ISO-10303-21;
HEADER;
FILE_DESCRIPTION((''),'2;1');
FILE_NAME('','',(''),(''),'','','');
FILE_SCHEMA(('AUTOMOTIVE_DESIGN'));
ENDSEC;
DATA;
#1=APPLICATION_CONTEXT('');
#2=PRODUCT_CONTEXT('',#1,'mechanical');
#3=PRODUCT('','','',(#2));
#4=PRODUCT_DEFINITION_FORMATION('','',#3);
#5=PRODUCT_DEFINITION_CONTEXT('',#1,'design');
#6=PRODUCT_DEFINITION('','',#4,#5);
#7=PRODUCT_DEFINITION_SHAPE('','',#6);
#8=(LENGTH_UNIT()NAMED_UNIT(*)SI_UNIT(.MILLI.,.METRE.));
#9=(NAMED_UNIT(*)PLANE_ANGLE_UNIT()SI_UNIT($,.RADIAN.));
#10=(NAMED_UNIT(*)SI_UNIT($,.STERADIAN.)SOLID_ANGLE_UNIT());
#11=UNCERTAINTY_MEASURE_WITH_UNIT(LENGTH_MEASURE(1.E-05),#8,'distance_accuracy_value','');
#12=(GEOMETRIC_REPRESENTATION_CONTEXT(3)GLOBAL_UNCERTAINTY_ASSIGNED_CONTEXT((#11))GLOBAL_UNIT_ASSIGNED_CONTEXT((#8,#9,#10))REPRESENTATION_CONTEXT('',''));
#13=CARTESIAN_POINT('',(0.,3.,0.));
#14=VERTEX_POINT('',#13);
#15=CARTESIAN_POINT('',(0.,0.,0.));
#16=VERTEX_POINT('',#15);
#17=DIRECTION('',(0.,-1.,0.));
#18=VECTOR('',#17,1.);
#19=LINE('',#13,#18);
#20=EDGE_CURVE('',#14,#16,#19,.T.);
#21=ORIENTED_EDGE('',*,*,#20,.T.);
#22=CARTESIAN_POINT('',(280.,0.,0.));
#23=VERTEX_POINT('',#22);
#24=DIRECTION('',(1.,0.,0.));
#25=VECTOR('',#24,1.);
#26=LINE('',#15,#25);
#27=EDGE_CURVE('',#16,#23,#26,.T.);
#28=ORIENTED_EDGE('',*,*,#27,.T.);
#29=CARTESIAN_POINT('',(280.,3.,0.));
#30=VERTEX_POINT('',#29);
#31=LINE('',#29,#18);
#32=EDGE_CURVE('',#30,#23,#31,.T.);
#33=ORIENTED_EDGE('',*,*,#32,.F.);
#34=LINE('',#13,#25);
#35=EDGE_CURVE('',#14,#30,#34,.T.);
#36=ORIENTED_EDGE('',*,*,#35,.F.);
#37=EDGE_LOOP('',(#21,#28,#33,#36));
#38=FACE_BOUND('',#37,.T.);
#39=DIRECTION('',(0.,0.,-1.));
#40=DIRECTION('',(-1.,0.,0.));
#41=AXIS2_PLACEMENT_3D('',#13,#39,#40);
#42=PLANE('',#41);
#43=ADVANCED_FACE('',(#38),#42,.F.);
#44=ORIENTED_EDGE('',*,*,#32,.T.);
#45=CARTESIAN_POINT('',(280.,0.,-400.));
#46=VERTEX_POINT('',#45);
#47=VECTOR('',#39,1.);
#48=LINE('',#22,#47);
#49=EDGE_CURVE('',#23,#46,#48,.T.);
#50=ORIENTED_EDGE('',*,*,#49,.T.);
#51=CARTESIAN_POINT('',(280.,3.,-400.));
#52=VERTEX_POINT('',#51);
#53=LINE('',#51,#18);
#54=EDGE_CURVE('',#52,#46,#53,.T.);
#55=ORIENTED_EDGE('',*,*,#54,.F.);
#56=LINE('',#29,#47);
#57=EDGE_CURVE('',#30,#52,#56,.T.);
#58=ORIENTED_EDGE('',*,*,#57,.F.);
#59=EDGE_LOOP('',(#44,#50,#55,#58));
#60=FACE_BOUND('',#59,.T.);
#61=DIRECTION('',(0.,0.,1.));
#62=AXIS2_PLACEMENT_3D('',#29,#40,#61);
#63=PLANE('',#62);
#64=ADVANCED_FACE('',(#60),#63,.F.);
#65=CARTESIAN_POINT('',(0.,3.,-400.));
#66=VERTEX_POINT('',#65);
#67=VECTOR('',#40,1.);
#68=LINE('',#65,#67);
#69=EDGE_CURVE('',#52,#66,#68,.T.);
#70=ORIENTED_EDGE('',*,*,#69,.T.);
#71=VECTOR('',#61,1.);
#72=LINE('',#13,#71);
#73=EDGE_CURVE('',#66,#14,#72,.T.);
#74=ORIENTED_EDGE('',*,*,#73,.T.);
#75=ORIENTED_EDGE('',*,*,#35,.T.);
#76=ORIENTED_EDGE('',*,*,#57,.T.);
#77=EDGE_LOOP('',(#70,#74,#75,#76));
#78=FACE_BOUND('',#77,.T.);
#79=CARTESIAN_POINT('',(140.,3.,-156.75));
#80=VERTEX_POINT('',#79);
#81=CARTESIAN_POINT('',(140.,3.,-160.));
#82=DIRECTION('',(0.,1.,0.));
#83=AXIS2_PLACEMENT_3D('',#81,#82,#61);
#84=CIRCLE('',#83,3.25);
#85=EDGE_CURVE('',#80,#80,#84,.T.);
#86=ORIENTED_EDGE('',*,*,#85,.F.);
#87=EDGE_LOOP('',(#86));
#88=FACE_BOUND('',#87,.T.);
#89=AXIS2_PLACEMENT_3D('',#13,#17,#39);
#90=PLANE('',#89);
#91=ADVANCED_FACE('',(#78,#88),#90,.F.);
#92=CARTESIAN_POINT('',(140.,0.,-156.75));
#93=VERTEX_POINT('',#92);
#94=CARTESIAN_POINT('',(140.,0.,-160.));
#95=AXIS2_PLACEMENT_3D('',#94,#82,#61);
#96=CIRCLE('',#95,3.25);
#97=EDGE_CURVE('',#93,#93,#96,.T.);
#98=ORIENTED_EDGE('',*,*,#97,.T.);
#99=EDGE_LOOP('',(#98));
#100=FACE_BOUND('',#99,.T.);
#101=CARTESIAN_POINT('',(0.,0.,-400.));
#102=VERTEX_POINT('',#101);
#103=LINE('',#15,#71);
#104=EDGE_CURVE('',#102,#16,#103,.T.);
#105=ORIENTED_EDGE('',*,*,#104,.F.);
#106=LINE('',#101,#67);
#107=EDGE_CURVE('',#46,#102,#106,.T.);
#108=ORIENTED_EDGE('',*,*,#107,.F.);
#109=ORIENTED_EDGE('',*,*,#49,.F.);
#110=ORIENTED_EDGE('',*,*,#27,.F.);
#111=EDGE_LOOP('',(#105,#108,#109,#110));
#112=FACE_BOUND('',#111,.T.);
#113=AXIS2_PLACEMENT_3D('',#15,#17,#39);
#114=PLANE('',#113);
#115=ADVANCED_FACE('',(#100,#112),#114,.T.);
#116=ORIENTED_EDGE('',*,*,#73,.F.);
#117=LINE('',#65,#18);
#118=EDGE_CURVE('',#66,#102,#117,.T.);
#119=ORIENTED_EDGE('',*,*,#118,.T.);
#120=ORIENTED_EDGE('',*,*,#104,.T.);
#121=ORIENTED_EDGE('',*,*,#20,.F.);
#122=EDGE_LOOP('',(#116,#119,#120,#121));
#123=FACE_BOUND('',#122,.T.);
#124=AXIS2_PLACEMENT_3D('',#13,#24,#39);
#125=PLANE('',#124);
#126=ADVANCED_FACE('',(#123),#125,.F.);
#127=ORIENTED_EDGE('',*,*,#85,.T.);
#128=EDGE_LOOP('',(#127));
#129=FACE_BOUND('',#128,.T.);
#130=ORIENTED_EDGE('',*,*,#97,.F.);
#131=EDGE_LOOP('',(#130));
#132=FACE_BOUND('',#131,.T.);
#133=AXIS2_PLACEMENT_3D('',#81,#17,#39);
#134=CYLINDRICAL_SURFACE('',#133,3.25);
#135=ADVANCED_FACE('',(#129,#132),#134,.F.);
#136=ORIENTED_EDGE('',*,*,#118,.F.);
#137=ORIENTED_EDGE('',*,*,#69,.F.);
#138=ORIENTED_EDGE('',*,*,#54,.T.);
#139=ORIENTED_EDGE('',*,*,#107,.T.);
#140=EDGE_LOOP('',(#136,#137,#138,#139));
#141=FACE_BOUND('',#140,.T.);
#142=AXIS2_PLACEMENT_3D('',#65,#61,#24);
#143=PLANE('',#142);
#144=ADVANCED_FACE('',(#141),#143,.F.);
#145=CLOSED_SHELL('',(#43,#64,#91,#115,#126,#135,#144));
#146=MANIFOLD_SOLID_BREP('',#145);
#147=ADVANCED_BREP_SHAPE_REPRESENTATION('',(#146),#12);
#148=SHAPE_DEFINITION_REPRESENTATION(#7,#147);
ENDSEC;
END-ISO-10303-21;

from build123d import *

# Parameters (mm, degrees)
SKETCH1_W           = 280
SKETCH1_H           = 400
SKETCH1_R           = 3.25
BOSS_EXTRUDE1_DEPTH = 3


with BuildPart() as part:
    # Sketch1 → Boss-Extrude1 (new body)
    with BuildSketch(Plane(origin=(0, 0, 0), x_dir=(1, 0, 0), z_dir=(0, 1, 0))):
        with Locations((140, 200)):
            Rectangle(SKETCH1_W, SKETCH1_H)
        with Locations(Location((140, 160, 0), (0, 0, 270))):
            Circle(SKETCH1_R, mode=Mode.SUBTRACT)
    extrude(amount=BOSS_EXTRUDE1_DEPTH)


solid = part.part
